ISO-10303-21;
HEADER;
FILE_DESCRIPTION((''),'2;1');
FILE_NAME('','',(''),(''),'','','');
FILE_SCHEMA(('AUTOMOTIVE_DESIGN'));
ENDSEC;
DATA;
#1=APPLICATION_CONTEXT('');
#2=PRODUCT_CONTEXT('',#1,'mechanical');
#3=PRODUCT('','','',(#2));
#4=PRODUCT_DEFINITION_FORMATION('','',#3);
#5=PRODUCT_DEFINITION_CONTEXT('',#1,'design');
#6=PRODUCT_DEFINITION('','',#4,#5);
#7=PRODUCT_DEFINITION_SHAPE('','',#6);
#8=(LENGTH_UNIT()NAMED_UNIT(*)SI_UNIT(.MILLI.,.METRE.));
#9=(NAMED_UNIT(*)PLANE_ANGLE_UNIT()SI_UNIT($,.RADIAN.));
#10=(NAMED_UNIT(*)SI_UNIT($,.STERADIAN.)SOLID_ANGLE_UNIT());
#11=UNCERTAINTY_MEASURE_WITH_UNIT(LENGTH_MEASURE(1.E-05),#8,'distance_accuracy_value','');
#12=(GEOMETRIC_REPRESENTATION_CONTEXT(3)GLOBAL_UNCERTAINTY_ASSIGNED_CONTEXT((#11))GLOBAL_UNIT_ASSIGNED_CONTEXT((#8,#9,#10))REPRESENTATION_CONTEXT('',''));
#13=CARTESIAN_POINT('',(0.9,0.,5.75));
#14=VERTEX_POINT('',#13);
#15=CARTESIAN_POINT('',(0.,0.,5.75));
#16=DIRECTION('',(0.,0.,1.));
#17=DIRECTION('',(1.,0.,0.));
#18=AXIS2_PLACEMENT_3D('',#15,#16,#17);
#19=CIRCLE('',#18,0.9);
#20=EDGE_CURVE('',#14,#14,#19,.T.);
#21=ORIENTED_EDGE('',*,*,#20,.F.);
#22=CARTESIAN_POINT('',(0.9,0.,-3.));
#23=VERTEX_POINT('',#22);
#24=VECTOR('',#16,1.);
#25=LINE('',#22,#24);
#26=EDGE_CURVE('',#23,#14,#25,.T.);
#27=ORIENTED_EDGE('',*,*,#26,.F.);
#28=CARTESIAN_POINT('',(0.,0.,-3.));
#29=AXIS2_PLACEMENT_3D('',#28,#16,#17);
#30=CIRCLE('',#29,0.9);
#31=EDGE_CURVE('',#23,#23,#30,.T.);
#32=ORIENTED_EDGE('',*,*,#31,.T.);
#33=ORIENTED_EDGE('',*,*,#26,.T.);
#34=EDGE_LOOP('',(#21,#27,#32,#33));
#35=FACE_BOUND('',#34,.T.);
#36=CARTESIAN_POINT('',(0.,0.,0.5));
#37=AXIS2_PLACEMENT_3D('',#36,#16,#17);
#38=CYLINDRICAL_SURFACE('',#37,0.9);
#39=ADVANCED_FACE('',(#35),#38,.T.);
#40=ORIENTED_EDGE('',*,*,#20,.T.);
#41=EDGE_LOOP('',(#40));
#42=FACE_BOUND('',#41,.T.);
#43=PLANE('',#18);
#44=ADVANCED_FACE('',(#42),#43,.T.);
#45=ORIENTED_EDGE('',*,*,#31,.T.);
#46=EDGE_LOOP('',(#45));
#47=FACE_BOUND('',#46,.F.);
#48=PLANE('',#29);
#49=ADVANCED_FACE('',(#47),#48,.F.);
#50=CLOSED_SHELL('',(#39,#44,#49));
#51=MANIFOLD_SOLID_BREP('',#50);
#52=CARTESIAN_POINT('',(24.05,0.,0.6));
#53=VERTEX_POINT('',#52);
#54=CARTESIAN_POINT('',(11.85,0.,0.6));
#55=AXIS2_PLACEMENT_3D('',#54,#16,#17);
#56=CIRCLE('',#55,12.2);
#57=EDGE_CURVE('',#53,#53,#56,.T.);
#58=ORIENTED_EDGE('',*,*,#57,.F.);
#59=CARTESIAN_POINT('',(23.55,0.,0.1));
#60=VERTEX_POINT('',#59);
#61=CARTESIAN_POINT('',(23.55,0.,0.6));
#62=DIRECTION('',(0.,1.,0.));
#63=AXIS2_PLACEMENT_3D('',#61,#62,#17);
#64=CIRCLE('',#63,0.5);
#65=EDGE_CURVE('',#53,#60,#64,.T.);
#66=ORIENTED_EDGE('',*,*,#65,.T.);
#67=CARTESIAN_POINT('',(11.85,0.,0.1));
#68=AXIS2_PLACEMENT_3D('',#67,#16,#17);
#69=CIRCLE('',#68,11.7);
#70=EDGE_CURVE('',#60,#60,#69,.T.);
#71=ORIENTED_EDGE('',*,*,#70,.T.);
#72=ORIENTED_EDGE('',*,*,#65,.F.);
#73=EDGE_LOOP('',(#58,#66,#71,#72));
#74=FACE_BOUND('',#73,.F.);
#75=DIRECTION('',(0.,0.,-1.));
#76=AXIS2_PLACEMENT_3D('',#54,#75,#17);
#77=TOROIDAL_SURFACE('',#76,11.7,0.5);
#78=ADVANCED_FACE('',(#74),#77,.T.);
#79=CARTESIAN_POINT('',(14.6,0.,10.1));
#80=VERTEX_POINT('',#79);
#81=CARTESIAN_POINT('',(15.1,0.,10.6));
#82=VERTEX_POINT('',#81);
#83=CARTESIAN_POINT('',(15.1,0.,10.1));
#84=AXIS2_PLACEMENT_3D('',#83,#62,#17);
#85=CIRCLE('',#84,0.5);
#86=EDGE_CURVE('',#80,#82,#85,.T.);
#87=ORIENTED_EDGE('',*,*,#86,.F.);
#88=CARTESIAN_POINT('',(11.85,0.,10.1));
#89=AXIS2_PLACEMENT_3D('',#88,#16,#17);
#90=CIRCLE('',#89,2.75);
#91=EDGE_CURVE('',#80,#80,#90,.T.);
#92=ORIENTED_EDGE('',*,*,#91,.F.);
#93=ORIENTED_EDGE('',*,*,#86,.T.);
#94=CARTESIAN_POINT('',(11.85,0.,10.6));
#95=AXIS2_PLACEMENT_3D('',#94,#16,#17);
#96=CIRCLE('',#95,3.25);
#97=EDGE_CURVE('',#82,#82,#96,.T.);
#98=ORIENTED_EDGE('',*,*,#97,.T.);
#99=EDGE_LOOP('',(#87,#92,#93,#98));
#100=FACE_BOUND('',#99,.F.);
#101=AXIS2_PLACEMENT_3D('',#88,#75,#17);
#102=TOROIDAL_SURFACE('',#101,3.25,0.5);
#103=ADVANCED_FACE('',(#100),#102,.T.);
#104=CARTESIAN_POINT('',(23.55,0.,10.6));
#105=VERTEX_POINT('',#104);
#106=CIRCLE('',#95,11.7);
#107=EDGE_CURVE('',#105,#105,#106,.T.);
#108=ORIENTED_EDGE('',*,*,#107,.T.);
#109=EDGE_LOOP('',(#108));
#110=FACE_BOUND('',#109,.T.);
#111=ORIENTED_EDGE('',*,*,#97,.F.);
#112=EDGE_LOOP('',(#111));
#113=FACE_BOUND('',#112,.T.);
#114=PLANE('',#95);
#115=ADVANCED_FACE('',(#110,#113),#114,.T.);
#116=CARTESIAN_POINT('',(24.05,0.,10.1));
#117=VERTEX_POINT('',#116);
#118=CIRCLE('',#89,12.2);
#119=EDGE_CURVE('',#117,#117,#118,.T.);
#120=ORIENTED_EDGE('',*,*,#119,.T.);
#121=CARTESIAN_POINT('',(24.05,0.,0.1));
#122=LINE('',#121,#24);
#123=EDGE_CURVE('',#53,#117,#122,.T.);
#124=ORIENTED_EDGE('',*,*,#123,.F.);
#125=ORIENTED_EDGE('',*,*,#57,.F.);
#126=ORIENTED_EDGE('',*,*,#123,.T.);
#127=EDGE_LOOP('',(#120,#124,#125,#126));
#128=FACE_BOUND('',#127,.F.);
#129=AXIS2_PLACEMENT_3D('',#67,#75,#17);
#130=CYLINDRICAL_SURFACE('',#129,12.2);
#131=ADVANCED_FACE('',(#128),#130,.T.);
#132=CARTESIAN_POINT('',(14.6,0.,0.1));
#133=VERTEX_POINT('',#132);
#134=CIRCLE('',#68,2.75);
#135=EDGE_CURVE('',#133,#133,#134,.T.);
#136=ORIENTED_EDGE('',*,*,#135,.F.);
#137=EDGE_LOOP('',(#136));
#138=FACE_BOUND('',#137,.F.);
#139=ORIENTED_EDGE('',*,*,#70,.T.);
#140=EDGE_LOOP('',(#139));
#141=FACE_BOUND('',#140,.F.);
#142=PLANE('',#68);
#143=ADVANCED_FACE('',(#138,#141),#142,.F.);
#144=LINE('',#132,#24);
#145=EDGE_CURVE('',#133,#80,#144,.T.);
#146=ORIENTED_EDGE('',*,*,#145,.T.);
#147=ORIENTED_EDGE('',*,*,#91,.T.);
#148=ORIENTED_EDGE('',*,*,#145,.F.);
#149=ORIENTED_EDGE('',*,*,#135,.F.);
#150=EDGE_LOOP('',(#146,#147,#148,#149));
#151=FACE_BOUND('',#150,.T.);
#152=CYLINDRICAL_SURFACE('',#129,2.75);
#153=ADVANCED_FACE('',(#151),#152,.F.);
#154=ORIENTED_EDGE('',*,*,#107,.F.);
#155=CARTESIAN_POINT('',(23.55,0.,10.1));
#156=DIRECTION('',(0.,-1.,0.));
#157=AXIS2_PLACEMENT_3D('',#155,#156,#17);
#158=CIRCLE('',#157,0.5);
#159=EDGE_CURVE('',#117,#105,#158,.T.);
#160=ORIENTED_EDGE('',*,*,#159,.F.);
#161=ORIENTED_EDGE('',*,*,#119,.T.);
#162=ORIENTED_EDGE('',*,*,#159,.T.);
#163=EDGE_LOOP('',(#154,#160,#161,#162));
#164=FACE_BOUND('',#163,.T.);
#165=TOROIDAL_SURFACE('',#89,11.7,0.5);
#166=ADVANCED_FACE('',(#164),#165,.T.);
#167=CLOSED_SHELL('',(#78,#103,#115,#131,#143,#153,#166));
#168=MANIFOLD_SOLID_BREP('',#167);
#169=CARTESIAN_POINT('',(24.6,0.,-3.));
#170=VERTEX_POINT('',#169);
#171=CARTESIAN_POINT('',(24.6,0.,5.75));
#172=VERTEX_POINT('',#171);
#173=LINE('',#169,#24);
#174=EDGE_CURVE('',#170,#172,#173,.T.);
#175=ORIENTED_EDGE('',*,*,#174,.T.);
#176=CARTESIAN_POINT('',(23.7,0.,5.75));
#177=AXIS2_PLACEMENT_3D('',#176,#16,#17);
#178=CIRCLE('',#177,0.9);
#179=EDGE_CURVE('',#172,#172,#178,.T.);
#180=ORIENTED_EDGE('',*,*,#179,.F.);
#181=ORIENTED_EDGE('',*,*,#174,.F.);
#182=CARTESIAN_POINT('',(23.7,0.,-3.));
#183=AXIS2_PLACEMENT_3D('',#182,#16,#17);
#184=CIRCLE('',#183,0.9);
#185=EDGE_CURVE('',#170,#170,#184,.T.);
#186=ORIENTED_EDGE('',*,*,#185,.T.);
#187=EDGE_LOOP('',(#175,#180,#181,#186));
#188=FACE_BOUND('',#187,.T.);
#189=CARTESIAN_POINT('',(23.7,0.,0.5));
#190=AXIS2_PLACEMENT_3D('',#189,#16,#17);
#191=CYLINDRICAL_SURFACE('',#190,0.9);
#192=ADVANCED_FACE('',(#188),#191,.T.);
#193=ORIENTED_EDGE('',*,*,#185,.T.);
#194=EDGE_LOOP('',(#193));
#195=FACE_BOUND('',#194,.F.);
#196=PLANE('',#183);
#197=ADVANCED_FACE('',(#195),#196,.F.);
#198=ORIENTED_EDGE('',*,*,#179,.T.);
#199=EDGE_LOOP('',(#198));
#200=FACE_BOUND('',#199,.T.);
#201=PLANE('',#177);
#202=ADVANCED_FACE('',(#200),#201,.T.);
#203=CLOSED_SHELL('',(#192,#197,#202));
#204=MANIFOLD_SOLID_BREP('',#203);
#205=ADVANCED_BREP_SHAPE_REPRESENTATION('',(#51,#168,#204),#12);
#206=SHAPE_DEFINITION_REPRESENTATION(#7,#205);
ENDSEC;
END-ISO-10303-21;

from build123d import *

# Parameters (mm, degrees)
SKETCH001_R       = 0.9
PAD001_DEPTH      = 5.25
PAD001_DEPTH_BACK = 3.5
SKETCH_R          = 12.2
SKETCH_R_2        = 2.75
PAD_DEPTH         = 10.5
FILLET_R          = 0.5


with BuildPart() as pad001:
    # Sketch001 → Pad001 (new body, two sides)
    with BuildSketch(Plane.XY.offset(0.5)) as pad001_sk:
        Circle(SKETCH001_R)
        with Locations((23.7, 0)):
            Circle(SKETCH001_R)
    extrude(amount=PAD001_DEPTH)
    extrude(pad001_sk.sketch, amount=-PAD001_DEPTH_BACK)


with BuildPart() as fillet_body:
    # Sketch → Pad (new body)
    with BuildSketch(Plane.XY.offset(0.1)):
        with Locations((11.85, 0)):
            Circle(SKETCH_R)
        with Locations((11.85, 0)):
            Circle(SKETCH_R_2, mode=Mode.SUBTRACT)
    extrude(amount=PAD_DEPTH)

    # Fillet
    fillet_edges = [fillet_body.edges().sort_by_distance(p)[0] for p in [
        (9.1, 0, 10.6),
        (-0.35, 0, 10.6),
        (-0.35, 0, 0.1),
    ]]
    fillet(fillet_edges, radius=FILLET_R)


solid = Compound([pad001.part, fillet_body.part])
